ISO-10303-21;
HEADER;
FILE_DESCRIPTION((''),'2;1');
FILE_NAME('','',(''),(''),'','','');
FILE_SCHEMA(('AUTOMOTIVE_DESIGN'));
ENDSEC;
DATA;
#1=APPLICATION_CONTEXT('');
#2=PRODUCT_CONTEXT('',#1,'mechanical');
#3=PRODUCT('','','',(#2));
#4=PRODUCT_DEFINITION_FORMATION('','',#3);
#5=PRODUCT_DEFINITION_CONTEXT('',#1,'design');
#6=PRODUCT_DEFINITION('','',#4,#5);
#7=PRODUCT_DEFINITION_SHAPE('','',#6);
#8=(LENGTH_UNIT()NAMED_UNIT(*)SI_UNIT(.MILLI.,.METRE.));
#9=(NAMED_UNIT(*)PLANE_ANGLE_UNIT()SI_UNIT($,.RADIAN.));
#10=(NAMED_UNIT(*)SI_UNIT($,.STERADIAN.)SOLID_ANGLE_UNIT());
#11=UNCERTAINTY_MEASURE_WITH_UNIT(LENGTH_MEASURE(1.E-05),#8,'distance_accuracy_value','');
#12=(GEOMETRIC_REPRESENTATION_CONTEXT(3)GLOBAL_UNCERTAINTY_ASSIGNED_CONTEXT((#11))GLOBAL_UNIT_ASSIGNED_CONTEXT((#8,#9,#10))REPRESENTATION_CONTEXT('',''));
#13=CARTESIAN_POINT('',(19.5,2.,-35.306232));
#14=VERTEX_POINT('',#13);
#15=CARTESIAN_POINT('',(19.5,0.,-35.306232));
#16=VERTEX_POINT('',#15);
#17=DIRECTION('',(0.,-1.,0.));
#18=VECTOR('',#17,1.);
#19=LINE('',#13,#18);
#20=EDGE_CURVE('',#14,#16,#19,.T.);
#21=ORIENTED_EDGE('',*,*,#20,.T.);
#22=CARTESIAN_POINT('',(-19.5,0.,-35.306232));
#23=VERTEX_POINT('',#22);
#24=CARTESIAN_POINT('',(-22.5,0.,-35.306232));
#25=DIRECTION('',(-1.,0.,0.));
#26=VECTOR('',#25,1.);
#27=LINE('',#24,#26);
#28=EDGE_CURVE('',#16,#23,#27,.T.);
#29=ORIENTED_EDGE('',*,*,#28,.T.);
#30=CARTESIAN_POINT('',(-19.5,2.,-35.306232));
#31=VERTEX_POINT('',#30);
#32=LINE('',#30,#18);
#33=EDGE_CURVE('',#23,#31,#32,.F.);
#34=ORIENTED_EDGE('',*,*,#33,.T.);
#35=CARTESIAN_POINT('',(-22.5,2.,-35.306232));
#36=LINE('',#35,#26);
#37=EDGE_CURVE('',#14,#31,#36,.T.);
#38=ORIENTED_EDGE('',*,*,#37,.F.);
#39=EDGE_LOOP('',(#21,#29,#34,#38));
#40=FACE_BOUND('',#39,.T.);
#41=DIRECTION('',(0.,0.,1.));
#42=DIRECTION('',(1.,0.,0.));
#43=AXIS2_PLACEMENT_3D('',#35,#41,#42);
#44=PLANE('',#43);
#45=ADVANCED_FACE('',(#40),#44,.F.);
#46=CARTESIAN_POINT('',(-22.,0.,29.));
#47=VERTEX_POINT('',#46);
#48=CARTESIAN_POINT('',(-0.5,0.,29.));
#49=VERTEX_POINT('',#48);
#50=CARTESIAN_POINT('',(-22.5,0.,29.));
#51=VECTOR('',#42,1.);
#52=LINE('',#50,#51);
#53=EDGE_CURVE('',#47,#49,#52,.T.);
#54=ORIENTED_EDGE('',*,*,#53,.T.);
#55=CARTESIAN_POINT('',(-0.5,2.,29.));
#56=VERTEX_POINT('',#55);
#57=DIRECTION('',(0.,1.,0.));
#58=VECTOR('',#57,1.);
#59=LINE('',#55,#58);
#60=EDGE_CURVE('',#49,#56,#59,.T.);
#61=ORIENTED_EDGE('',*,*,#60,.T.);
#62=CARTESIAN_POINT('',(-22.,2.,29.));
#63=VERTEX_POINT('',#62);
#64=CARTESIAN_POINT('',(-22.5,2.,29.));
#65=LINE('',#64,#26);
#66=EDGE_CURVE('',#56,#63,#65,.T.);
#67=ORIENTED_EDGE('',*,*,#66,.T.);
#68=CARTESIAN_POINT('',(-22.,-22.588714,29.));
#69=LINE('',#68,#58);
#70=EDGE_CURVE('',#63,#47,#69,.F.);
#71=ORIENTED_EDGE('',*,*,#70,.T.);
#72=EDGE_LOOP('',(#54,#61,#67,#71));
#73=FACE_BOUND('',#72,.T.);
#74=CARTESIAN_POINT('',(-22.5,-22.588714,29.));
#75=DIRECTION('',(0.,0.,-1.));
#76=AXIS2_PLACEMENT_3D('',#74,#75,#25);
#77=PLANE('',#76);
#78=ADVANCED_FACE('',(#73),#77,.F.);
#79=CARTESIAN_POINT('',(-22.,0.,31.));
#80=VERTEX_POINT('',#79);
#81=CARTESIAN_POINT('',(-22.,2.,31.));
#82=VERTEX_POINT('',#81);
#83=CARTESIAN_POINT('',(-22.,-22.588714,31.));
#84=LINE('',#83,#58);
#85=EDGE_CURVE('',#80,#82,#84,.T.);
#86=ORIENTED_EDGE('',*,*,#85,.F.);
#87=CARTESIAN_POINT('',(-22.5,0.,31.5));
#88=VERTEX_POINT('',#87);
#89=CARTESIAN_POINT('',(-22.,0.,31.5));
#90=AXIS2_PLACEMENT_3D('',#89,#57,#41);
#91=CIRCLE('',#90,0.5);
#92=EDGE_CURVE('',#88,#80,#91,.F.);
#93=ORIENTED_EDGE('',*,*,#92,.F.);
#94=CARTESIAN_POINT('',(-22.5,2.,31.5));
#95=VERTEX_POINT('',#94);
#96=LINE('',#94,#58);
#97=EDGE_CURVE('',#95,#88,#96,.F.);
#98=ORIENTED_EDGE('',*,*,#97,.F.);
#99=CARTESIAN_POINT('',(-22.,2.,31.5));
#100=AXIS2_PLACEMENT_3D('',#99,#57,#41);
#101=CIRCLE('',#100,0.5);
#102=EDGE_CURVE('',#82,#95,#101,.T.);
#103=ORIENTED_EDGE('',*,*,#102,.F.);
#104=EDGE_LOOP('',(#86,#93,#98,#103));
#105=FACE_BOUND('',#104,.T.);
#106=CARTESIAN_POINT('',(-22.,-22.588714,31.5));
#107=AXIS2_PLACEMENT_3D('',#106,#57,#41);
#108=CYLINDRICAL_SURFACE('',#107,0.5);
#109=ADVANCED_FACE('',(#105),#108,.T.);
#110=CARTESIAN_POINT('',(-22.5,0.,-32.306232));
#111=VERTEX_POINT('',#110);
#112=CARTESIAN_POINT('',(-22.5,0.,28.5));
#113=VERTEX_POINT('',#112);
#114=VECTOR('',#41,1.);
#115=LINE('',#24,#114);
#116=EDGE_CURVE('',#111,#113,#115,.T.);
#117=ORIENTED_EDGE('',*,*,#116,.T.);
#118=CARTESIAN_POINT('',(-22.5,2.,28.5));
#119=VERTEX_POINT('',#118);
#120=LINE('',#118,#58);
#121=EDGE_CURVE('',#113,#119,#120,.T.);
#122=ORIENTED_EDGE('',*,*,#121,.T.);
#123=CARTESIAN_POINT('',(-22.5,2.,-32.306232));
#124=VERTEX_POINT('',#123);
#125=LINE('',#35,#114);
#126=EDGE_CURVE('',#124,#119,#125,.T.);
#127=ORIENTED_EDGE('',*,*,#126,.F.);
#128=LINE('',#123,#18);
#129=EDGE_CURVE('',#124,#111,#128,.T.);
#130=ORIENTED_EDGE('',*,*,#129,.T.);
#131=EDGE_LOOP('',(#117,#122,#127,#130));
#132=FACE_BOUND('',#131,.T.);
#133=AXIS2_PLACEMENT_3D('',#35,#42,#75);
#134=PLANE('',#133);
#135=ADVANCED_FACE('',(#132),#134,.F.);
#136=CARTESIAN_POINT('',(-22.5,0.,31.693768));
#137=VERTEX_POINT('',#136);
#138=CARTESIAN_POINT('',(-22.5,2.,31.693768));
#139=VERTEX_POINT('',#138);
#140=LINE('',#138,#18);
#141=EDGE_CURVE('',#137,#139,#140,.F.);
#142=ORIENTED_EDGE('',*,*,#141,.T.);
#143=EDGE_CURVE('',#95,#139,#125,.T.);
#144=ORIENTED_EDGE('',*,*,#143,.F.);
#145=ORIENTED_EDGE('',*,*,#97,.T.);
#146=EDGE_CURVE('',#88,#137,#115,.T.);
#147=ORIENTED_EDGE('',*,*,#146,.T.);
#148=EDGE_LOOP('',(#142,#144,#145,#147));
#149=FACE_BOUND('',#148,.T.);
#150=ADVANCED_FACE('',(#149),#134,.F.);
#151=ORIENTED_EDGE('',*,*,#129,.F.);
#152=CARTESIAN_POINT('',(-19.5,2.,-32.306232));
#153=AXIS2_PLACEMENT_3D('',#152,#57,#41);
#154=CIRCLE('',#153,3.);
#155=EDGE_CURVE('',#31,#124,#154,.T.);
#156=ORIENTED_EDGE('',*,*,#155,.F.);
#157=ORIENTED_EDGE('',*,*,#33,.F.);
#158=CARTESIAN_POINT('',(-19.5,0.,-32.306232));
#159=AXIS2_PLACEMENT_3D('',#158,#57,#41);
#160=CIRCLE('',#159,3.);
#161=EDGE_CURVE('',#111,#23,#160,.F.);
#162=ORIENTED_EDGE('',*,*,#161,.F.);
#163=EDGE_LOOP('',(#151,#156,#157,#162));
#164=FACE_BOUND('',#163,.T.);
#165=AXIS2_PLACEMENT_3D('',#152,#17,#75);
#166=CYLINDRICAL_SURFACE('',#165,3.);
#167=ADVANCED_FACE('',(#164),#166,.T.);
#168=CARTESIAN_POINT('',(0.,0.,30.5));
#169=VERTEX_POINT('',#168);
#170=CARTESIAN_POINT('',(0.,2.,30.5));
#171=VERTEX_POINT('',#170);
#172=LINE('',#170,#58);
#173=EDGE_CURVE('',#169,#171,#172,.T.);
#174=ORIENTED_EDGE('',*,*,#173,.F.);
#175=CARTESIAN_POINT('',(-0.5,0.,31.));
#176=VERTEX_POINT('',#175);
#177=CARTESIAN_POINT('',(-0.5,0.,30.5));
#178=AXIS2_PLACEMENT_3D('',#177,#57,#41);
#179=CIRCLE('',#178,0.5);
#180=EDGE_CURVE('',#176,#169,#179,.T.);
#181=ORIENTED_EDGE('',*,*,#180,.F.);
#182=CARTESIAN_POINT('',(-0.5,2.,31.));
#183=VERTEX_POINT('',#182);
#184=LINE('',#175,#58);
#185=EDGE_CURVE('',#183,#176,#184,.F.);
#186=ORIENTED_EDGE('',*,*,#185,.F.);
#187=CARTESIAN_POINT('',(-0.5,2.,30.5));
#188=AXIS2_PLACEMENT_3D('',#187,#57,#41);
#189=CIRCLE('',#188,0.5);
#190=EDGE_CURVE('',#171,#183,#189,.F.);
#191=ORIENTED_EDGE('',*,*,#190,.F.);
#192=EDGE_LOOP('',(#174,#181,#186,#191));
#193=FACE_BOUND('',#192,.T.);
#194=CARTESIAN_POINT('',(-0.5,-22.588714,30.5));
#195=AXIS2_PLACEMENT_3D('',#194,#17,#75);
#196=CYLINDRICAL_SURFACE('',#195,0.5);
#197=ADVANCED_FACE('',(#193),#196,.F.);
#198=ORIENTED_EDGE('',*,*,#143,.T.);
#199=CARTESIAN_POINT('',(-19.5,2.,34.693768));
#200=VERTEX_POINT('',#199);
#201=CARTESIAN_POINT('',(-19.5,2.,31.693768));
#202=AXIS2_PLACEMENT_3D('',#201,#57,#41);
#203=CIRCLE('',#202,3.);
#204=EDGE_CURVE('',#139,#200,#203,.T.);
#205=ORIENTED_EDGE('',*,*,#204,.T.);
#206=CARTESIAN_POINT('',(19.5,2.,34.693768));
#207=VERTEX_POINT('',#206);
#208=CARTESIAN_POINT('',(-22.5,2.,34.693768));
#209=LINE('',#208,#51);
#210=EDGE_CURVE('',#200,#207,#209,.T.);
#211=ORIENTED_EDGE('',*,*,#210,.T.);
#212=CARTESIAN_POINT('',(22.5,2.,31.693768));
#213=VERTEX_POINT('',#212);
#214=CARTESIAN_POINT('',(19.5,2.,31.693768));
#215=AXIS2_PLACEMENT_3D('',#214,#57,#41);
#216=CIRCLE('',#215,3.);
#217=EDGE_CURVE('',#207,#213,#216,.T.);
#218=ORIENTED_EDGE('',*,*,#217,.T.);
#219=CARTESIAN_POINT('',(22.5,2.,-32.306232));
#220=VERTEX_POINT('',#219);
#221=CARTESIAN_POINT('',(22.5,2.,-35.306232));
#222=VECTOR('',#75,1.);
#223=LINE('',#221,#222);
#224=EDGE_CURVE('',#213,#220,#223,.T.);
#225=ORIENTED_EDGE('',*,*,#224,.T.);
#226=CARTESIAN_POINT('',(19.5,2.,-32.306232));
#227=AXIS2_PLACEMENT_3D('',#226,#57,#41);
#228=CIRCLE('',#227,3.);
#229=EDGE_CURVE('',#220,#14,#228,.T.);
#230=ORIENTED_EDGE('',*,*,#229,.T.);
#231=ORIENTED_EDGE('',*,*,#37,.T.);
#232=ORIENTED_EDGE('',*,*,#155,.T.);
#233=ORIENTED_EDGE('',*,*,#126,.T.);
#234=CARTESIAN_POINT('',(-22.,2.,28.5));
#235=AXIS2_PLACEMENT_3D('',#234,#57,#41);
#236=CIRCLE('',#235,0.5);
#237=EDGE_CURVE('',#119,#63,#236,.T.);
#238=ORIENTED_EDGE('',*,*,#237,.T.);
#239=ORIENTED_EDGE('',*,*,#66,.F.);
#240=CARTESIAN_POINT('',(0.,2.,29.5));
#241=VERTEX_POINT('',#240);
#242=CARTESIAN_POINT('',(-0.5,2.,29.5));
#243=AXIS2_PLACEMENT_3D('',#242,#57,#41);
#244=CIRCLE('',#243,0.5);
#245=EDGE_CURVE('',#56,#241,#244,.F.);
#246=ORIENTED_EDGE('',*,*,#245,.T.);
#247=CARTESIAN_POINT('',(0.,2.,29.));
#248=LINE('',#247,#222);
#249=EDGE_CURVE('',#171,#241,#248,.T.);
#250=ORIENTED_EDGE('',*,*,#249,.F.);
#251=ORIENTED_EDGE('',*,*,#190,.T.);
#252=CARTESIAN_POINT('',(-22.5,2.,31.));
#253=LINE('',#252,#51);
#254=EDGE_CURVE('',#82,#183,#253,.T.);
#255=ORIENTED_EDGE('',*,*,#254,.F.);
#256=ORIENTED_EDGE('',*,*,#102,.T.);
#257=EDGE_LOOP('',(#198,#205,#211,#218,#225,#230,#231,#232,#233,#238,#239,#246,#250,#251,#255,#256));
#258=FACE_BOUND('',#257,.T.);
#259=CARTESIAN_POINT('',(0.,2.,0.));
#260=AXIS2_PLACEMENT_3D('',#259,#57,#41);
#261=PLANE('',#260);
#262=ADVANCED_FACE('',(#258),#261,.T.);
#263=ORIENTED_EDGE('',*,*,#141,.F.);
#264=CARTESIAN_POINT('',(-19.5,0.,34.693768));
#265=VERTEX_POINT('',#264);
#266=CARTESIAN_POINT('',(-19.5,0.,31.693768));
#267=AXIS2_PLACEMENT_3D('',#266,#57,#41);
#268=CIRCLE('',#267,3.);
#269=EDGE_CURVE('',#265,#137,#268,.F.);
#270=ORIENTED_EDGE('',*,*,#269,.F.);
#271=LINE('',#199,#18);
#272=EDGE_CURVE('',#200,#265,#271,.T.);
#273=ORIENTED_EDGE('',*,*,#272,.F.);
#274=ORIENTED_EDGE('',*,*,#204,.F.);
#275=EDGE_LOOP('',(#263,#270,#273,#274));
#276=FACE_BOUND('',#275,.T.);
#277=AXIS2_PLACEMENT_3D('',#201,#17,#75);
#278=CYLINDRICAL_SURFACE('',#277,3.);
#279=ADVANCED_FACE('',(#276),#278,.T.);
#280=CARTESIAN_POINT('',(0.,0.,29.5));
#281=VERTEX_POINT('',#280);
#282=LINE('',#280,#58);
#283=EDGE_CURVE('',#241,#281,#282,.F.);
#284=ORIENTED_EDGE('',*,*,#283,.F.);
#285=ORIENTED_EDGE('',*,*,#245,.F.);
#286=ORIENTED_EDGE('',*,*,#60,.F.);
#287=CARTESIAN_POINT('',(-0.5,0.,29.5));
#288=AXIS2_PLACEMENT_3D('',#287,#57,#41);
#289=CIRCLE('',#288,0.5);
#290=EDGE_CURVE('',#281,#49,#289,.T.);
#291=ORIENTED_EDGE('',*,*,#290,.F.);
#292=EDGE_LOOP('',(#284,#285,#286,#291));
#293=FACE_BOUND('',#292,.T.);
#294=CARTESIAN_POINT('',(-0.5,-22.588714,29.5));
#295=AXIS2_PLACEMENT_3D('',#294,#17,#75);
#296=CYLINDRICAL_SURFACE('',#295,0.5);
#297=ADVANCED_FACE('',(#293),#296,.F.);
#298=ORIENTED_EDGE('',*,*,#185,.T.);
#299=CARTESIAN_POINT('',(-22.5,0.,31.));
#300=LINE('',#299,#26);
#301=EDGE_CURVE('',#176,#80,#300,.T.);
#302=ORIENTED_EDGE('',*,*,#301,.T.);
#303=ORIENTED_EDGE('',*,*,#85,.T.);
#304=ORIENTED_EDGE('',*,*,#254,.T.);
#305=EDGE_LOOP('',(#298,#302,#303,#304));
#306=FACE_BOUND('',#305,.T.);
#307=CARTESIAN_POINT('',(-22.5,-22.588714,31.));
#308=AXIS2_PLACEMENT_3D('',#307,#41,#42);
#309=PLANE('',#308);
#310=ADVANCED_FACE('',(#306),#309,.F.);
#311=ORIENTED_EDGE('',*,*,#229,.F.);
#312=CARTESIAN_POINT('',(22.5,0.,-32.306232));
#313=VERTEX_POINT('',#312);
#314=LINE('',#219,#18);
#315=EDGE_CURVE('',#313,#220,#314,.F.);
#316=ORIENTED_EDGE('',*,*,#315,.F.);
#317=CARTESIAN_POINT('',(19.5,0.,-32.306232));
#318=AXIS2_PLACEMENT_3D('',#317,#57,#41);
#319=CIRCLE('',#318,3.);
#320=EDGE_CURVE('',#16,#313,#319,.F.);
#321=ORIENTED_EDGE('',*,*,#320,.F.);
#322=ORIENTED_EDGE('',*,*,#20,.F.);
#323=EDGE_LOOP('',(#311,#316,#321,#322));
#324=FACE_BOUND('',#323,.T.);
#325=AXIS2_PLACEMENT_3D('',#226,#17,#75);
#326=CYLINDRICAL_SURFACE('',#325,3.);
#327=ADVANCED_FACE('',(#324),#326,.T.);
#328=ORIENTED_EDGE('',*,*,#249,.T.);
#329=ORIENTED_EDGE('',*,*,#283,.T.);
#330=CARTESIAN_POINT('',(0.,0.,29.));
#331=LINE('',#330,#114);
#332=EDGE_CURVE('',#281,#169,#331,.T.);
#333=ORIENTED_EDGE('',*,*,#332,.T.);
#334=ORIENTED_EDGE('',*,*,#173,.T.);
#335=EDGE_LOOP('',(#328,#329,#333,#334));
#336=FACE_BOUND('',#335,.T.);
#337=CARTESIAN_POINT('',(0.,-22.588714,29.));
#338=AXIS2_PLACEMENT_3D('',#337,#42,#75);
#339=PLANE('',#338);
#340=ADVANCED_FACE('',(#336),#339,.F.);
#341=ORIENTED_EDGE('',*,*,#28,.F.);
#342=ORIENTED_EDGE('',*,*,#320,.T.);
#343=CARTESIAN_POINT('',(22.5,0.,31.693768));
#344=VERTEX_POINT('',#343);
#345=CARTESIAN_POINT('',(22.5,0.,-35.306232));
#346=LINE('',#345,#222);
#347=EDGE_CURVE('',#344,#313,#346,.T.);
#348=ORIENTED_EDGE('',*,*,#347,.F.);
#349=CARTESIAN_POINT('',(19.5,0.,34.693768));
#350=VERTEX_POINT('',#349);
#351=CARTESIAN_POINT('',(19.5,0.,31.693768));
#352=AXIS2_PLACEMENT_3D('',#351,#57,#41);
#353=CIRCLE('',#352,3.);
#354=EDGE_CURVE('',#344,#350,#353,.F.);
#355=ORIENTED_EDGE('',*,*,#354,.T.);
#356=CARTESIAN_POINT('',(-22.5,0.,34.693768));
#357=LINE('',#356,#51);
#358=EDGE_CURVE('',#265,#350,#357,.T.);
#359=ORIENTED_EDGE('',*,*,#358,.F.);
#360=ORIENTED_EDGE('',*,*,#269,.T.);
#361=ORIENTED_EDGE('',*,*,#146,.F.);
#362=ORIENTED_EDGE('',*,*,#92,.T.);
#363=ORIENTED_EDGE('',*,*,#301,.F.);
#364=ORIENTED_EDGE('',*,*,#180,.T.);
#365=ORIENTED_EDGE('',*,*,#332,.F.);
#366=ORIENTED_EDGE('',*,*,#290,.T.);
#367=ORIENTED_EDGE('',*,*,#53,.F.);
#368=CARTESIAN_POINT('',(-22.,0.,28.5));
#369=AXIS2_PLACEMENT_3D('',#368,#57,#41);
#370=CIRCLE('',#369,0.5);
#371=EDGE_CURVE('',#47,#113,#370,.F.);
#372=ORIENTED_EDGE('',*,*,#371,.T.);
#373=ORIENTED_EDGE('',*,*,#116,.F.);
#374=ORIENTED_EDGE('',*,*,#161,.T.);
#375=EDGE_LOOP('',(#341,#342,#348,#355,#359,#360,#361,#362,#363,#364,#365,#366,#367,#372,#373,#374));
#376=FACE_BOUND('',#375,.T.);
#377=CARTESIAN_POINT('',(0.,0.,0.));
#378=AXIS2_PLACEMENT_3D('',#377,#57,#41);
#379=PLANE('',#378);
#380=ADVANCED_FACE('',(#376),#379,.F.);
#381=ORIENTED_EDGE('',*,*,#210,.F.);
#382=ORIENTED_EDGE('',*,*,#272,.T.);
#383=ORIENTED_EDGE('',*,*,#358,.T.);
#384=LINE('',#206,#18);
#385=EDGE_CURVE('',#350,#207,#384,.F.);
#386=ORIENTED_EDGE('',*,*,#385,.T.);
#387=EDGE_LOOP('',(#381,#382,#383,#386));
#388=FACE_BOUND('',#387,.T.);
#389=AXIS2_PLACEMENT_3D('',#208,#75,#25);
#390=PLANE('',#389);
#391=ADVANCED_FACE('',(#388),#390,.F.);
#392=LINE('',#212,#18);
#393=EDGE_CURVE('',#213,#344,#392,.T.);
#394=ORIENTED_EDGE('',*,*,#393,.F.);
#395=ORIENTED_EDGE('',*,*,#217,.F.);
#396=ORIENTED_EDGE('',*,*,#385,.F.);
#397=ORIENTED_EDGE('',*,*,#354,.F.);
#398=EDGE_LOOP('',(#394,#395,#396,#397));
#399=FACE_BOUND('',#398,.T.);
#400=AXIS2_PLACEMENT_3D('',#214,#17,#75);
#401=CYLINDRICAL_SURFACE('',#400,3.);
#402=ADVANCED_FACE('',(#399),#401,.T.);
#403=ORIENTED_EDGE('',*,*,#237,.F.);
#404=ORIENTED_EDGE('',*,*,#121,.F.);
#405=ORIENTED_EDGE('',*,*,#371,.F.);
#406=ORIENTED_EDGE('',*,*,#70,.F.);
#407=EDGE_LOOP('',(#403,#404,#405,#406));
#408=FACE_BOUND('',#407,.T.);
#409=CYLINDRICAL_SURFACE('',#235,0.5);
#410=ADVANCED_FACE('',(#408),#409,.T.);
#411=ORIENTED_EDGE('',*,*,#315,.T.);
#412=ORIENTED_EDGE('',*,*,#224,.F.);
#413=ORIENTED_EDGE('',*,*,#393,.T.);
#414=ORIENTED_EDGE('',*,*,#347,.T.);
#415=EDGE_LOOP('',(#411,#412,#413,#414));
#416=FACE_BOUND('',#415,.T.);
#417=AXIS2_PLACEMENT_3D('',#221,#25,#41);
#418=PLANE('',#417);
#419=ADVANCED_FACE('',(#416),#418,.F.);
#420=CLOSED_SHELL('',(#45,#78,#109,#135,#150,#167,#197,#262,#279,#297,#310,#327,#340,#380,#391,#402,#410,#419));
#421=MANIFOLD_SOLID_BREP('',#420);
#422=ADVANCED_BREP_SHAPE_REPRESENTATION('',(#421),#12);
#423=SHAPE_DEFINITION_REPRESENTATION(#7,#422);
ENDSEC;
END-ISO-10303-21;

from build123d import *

# Parameters (mm, degrees)
CROQUIS1_W              = 45
CROQUIS1_H              = 70
SALIENTE_EXTRUIR1_DEPTH = 2
CROQUIS2_W              = 22.5
CROQUIS2_H              = 2
CORTAR_EXTRUIR1_DEPTH   = 2
REDONDEO1_R             = 3
REDONDEO2_R             = 0.5


with BuildPart() as part:
    # Croquis1 → Saliente-Extruir1 (new body)
    with BuildSketch(Plane(origin=(0, 0, 0), x_dir=(1, 0, 0), z_dir=(0, 1, 0))):
        with Locations((0, 0.306231574)):
            Rectangle(CROQUIS1_W, CROQUIS1_H)
    extrude(amount=SALIENTE_EXTRUIR1_DEPTH)

    # Croquis2 → Cortar-Extruir1 (cut)
    with BuildSketch(Plane(origin=(0, 2, 0), x_dir=(1, 0, 0), z_dir=(0, 1, 0))):
        with Locations((-11.25, -30)):
            Rectangle(CROQUIS2_W, CROQUIS2_H)
    extrude(amount=-CORTAR_EXTRUIR1_DEPTH, mode=Mode.SUBTRACT)

    # Redondeo1
    redondeo1_edges = [part.edges().sort_by_distance(p)[0] for p in [
        (-22.5, 1, -35.306231574),
        (22.5, 1, -35.306231574),
        (22.5, 1, 34.693768426),
        (-22.5, 1, 34.693768426),
    ]]
    fillet(redondeo1_edges, radius=REDONDEO1_R)

    # Redondeo2
    redondeo2_edges = [part.edges().sort_by_distance(p)[0] for p in [
        (-22.5, 1, 31),
        (-22.5, 1, 29),
        (0, 1, 29),
        (0, 1, 31),
    ]]
    fillet(redondeo2_edges, radius=REDONDEO2_R)


solid = part.part
